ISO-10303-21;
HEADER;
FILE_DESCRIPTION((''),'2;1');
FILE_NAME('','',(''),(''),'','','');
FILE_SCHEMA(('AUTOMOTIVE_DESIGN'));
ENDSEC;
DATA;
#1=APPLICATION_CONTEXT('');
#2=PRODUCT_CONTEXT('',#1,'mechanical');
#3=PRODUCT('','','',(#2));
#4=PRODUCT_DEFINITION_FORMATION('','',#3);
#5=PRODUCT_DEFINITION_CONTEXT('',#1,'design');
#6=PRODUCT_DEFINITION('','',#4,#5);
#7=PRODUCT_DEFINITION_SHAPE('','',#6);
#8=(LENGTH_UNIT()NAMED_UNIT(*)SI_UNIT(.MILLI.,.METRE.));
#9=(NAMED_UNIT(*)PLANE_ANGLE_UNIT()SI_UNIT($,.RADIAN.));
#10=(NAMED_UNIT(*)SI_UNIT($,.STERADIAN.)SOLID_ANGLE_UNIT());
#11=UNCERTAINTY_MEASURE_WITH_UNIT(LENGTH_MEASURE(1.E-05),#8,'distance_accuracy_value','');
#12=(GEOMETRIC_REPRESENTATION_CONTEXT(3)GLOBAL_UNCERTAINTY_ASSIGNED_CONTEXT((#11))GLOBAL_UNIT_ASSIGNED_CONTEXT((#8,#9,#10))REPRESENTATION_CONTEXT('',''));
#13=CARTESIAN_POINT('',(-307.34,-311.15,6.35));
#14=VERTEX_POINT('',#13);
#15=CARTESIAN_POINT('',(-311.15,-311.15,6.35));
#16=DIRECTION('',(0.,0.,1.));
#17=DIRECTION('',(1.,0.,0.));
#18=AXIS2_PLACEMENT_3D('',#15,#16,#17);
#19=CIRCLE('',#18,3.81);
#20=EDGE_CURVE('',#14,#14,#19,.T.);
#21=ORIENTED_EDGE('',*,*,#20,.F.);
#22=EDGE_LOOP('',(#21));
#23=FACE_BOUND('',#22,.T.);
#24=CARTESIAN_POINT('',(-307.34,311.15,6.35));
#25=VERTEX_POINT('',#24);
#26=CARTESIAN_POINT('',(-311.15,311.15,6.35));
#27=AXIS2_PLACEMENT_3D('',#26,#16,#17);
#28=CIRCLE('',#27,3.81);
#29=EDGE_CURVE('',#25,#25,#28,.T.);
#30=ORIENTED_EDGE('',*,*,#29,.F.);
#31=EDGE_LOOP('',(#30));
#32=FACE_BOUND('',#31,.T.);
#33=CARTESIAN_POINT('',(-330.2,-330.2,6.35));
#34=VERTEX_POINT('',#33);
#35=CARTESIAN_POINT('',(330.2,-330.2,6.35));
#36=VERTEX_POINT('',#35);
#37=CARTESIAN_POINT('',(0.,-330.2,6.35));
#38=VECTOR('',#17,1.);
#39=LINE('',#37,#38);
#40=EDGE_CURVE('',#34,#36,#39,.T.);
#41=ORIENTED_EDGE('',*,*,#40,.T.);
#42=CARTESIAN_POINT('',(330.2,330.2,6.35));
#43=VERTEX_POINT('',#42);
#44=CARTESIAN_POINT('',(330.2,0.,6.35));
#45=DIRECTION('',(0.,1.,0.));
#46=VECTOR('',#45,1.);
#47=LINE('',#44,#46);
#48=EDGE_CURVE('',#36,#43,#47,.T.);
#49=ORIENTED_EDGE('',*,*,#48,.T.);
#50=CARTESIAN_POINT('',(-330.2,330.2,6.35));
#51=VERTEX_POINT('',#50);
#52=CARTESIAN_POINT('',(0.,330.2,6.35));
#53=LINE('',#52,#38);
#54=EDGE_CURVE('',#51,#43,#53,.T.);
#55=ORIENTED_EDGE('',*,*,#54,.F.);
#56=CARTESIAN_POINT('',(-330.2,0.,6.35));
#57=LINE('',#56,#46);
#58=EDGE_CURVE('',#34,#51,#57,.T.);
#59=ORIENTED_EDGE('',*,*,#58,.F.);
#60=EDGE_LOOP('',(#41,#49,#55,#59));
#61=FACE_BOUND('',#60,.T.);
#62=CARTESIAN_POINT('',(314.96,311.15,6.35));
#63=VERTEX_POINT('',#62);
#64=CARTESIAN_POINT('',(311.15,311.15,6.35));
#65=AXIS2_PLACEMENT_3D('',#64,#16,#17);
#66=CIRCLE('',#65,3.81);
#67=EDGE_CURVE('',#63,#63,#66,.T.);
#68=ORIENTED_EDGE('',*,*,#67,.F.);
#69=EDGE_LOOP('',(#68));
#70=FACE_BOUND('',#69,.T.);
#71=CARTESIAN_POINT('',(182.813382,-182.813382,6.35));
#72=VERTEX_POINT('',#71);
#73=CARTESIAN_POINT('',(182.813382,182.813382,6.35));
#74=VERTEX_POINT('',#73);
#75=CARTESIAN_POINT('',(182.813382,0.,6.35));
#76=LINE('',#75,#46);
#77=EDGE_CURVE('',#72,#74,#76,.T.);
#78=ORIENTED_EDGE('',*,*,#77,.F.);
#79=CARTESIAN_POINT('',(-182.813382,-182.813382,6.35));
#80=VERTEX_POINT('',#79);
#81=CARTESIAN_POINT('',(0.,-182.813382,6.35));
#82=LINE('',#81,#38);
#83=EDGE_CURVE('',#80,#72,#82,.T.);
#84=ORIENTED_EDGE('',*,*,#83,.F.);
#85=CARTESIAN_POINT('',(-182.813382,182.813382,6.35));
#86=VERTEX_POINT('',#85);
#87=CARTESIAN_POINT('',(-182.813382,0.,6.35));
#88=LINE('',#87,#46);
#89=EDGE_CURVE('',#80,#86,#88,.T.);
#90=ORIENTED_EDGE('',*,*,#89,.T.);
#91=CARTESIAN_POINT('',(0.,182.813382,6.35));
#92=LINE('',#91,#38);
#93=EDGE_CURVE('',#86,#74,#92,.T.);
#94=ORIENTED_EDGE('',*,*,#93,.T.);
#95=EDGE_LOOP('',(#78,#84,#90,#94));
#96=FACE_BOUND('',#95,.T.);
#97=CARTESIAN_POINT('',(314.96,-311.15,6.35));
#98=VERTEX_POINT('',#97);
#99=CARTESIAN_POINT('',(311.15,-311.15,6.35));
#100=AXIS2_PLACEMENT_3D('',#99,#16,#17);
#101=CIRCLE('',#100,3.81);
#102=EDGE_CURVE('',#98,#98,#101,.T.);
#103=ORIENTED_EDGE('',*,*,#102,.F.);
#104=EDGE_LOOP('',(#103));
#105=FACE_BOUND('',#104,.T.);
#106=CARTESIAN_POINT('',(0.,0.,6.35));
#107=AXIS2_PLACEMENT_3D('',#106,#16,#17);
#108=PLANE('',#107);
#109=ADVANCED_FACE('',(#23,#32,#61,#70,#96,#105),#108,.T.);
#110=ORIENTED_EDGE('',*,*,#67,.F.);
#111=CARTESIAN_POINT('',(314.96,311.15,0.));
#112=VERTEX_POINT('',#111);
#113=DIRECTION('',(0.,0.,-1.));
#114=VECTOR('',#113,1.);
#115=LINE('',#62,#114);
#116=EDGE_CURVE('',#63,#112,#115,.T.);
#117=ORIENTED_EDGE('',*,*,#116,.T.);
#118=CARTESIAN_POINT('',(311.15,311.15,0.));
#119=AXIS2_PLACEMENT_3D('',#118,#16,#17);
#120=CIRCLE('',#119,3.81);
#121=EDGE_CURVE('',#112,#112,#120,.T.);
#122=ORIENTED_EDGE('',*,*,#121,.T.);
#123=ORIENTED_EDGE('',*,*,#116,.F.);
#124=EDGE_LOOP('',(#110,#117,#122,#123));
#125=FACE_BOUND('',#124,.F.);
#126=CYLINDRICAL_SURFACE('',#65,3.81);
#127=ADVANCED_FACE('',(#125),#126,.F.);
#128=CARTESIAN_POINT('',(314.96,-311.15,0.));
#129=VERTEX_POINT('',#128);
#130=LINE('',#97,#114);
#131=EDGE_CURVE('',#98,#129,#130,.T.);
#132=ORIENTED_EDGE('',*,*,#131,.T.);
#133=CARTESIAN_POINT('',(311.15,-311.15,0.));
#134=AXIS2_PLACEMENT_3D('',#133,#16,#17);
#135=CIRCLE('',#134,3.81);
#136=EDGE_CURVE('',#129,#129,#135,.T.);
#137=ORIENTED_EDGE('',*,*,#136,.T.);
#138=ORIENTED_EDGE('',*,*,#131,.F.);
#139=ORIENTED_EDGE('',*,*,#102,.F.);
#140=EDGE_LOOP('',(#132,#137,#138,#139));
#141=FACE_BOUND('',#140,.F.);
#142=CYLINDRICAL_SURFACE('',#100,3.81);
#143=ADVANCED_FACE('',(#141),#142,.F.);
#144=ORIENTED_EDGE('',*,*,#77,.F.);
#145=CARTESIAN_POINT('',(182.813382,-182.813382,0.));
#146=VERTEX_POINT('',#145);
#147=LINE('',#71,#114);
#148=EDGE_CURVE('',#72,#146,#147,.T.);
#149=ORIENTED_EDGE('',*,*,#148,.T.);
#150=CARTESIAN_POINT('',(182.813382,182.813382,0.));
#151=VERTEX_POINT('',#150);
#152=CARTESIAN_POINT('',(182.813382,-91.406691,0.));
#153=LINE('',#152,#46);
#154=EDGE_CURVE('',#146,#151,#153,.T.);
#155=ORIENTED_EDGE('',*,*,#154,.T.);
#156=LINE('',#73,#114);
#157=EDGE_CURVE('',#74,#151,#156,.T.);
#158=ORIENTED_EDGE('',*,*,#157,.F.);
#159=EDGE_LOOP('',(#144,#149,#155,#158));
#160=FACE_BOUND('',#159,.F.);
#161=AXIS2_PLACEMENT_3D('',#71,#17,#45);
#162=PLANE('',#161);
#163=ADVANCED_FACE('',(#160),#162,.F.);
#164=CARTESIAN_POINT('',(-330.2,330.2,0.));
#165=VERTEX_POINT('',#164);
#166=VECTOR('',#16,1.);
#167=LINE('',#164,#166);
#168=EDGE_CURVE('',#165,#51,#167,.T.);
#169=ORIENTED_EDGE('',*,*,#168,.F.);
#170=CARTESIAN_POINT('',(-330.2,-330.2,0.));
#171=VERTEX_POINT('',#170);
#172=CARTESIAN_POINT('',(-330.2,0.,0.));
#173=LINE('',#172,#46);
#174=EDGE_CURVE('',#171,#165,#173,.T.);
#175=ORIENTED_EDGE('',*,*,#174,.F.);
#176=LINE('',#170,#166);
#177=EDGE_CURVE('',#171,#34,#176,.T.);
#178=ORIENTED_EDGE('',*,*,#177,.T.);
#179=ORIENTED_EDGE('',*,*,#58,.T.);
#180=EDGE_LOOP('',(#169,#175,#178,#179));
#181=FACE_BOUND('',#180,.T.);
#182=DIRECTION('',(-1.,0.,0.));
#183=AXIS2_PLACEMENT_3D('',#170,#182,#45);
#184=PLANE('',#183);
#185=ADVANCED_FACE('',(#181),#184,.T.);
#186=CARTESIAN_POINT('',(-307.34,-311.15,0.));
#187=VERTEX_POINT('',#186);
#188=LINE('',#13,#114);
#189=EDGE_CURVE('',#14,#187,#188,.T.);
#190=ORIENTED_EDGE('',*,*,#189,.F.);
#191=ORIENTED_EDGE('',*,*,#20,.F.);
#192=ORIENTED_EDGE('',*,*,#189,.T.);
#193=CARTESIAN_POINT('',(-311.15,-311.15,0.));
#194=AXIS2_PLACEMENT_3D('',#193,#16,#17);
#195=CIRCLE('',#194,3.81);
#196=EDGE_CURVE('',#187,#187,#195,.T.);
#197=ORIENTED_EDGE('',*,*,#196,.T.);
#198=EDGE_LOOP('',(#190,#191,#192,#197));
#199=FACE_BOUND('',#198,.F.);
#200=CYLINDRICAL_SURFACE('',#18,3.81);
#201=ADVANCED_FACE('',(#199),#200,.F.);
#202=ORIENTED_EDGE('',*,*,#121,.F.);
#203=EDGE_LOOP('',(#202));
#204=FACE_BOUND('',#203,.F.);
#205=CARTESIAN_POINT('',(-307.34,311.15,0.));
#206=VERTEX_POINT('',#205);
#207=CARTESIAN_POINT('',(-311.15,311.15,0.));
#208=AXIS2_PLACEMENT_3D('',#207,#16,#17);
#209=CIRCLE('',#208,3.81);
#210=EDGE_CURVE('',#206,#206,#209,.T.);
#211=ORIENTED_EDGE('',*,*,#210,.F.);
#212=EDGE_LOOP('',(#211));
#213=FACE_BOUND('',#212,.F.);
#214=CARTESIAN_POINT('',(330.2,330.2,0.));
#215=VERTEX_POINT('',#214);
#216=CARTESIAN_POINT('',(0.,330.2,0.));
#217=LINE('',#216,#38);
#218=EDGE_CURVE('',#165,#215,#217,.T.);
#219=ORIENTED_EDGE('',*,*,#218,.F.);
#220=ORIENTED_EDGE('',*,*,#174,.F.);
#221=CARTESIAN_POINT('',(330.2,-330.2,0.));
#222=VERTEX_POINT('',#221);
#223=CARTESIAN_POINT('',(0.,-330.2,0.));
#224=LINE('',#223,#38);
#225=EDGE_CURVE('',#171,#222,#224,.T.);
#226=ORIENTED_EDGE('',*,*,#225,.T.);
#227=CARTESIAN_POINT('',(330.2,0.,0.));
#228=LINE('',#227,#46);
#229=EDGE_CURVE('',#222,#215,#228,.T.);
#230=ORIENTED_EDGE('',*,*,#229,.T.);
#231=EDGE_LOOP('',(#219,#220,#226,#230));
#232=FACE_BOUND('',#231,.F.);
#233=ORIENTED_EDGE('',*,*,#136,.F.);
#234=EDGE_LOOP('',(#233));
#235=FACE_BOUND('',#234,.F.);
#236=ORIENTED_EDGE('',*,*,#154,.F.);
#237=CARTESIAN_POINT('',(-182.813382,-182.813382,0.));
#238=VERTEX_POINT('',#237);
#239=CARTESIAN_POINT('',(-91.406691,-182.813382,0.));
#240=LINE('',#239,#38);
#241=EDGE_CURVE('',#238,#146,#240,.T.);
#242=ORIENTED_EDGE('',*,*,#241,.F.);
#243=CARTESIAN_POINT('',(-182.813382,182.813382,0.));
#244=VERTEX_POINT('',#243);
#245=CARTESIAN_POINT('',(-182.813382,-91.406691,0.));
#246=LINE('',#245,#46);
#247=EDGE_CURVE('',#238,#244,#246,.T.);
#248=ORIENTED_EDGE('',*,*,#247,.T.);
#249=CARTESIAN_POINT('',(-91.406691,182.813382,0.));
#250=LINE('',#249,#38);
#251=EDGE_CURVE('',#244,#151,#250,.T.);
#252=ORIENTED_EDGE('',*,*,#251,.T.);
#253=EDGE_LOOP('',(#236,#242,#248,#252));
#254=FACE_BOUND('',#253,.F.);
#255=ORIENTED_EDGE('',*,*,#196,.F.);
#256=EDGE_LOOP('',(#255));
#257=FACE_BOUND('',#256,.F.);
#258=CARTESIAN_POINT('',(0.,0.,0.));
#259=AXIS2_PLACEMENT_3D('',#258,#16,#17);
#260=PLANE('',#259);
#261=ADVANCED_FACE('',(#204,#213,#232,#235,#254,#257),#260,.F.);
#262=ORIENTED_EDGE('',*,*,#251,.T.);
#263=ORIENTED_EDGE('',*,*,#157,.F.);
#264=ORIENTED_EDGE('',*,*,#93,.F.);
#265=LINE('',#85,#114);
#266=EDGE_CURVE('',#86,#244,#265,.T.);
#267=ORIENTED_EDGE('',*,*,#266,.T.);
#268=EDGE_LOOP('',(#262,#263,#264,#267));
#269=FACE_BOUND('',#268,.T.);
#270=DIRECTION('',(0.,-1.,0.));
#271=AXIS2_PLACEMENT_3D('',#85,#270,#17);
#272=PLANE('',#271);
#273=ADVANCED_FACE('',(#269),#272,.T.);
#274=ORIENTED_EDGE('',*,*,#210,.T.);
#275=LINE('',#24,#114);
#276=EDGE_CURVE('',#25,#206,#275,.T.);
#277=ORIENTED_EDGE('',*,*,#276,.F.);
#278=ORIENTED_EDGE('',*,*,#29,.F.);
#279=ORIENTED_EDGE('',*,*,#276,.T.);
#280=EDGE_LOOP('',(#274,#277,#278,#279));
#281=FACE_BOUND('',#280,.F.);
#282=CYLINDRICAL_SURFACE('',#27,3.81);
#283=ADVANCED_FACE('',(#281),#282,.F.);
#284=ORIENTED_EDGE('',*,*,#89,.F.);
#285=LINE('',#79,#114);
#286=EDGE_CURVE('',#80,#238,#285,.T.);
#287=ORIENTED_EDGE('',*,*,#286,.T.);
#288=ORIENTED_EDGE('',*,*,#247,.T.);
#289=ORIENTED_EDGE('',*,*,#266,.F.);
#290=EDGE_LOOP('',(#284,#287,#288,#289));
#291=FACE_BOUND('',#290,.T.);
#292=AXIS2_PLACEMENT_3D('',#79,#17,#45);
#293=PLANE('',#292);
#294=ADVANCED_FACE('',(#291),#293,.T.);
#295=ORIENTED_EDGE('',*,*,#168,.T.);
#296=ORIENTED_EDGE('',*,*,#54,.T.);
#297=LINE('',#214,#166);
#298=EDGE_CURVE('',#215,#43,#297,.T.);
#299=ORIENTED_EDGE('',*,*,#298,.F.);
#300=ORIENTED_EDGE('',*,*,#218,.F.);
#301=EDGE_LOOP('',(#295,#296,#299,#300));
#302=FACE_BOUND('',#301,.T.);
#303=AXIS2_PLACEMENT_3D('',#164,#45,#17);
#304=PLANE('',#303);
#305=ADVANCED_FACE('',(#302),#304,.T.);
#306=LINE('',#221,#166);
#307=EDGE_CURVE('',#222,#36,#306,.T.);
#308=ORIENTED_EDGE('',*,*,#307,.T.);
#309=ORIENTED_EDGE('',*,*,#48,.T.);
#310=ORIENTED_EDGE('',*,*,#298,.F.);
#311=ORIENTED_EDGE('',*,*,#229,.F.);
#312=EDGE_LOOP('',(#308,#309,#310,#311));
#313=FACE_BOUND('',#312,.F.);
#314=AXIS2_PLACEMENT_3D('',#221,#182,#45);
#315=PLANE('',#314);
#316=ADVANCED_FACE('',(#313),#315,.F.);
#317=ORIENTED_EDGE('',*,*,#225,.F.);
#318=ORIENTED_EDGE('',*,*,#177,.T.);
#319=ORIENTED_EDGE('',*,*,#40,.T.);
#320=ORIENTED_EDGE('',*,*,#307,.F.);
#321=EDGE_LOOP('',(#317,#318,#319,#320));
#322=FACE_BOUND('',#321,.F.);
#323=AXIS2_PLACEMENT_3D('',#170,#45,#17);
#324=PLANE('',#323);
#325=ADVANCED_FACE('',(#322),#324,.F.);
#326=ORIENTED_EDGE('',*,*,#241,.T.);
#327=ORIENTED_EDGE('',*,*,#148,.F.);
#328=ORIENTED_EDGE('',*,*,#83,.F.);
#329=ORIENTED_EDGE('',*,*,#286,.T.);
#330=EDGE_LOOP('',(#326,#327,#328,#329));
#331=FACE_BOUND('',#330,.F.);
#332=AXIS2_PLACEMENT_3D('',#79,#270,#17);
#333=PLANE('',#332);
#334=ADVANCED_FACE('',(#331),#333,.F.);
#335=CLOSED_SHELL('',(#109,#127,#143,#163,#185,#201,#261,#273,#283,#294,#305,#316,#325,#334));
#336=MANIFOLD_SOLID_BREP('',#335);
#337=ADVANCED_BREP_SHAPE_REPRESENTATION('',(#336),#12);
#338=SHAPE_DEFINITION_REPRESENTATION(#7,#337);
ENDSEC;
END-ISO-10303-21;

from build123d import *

# Parameters (mm, degrees)
F0_W     = 660.4
F0_H     = 660.4
F1_DEPTH = 6.35
F2_W     = 365.626764
F2_H     = 365.626764
F2_R     = 3.81
F3_DEPTH = 25.4


with BuildPart() as f1:
    # F0 (on Top) → F1 (new body)
    with BuildSketch(Plane.XY):
        Rectangle(F0_W, F0_H)
        with BuildLine():
            ThreePointArc((-29.292531, 123.575676), (78.768168, 99.622165), (127, 0))
            ThreePointArc((127, 0), (108.090653, -66.673913), (56.993532, -113.493336))
            ThreePointArc((56.993532, -113.493336), (73.573161, -123.372435), (80.090758, -141.538382))
            ThreePointArc((80.090758, -141.538382), (41.989428, -168.47868), (29.292531, -123.575676))
            ThreePointArc((29.292531, -123.575676), (-5.539662, -126.879124), (-39.951394, -120.552421))
            ThreePointArc((-39.951394, -120.552421), (-36.325418, -128.167748), (-35.080608, -136.509891))
            ThreePointArc((-35.080608, -136.509891), (-82.766395, -157.753913), (-66.668251, -108.094146))
            ThreePointArc((-66.668251, -108.094146), (-93.634222, -85.799956), (-113.493336, -56.993532))
            ThreePointArc((-113.493336, -56.993532), (-168.390099, -61.288984), (-123.575676, -29.292531))
            ThreePointArc((-123.575676, -29.292531), (-126.879124, 5.539662), (-120.552421, 39.951394))
            ThreePointArc((-120.552421, 39.951394), (-162.407637, 75.731925), (-108.094146, 66.668251))
            ThreePointArc((-108.094146, 66.668251), (-85.799956, 93.634222), (-56.993532, 113.493336))
            ThreePointArc((-56.993532, 113.493336), (-69.681705, 163.595785), (-22.940758, 141.538382))
            ThreePointArc((-22.940758, 141.538382), (-24.57546, 132.012052), (-29.292531, 123.575676))
        make_face(mode=Mode.SUBTRACT)
    extrude(amount=F1_DEPTH)

    # F2 (on face) → F3 (cut)
    with BuildSketch(Plane.XY.offset(6.35)):
        Rectangle(F2_W, F2_H)
        with Locations((-311.15, 311.15)):
            Circle(F2_R)
        with Locations((-311.15, -311.15)):
            Circle(F2_R)
        with Locations((311.15, 311.15)):
            Circle(F2_R)
        with Locations((311.15, -311.15)):
            Circle(F2_R)
    extrude(amount=-F3_DEPTH, mode=Mode.SUBTRACT)


solid = f1.part
